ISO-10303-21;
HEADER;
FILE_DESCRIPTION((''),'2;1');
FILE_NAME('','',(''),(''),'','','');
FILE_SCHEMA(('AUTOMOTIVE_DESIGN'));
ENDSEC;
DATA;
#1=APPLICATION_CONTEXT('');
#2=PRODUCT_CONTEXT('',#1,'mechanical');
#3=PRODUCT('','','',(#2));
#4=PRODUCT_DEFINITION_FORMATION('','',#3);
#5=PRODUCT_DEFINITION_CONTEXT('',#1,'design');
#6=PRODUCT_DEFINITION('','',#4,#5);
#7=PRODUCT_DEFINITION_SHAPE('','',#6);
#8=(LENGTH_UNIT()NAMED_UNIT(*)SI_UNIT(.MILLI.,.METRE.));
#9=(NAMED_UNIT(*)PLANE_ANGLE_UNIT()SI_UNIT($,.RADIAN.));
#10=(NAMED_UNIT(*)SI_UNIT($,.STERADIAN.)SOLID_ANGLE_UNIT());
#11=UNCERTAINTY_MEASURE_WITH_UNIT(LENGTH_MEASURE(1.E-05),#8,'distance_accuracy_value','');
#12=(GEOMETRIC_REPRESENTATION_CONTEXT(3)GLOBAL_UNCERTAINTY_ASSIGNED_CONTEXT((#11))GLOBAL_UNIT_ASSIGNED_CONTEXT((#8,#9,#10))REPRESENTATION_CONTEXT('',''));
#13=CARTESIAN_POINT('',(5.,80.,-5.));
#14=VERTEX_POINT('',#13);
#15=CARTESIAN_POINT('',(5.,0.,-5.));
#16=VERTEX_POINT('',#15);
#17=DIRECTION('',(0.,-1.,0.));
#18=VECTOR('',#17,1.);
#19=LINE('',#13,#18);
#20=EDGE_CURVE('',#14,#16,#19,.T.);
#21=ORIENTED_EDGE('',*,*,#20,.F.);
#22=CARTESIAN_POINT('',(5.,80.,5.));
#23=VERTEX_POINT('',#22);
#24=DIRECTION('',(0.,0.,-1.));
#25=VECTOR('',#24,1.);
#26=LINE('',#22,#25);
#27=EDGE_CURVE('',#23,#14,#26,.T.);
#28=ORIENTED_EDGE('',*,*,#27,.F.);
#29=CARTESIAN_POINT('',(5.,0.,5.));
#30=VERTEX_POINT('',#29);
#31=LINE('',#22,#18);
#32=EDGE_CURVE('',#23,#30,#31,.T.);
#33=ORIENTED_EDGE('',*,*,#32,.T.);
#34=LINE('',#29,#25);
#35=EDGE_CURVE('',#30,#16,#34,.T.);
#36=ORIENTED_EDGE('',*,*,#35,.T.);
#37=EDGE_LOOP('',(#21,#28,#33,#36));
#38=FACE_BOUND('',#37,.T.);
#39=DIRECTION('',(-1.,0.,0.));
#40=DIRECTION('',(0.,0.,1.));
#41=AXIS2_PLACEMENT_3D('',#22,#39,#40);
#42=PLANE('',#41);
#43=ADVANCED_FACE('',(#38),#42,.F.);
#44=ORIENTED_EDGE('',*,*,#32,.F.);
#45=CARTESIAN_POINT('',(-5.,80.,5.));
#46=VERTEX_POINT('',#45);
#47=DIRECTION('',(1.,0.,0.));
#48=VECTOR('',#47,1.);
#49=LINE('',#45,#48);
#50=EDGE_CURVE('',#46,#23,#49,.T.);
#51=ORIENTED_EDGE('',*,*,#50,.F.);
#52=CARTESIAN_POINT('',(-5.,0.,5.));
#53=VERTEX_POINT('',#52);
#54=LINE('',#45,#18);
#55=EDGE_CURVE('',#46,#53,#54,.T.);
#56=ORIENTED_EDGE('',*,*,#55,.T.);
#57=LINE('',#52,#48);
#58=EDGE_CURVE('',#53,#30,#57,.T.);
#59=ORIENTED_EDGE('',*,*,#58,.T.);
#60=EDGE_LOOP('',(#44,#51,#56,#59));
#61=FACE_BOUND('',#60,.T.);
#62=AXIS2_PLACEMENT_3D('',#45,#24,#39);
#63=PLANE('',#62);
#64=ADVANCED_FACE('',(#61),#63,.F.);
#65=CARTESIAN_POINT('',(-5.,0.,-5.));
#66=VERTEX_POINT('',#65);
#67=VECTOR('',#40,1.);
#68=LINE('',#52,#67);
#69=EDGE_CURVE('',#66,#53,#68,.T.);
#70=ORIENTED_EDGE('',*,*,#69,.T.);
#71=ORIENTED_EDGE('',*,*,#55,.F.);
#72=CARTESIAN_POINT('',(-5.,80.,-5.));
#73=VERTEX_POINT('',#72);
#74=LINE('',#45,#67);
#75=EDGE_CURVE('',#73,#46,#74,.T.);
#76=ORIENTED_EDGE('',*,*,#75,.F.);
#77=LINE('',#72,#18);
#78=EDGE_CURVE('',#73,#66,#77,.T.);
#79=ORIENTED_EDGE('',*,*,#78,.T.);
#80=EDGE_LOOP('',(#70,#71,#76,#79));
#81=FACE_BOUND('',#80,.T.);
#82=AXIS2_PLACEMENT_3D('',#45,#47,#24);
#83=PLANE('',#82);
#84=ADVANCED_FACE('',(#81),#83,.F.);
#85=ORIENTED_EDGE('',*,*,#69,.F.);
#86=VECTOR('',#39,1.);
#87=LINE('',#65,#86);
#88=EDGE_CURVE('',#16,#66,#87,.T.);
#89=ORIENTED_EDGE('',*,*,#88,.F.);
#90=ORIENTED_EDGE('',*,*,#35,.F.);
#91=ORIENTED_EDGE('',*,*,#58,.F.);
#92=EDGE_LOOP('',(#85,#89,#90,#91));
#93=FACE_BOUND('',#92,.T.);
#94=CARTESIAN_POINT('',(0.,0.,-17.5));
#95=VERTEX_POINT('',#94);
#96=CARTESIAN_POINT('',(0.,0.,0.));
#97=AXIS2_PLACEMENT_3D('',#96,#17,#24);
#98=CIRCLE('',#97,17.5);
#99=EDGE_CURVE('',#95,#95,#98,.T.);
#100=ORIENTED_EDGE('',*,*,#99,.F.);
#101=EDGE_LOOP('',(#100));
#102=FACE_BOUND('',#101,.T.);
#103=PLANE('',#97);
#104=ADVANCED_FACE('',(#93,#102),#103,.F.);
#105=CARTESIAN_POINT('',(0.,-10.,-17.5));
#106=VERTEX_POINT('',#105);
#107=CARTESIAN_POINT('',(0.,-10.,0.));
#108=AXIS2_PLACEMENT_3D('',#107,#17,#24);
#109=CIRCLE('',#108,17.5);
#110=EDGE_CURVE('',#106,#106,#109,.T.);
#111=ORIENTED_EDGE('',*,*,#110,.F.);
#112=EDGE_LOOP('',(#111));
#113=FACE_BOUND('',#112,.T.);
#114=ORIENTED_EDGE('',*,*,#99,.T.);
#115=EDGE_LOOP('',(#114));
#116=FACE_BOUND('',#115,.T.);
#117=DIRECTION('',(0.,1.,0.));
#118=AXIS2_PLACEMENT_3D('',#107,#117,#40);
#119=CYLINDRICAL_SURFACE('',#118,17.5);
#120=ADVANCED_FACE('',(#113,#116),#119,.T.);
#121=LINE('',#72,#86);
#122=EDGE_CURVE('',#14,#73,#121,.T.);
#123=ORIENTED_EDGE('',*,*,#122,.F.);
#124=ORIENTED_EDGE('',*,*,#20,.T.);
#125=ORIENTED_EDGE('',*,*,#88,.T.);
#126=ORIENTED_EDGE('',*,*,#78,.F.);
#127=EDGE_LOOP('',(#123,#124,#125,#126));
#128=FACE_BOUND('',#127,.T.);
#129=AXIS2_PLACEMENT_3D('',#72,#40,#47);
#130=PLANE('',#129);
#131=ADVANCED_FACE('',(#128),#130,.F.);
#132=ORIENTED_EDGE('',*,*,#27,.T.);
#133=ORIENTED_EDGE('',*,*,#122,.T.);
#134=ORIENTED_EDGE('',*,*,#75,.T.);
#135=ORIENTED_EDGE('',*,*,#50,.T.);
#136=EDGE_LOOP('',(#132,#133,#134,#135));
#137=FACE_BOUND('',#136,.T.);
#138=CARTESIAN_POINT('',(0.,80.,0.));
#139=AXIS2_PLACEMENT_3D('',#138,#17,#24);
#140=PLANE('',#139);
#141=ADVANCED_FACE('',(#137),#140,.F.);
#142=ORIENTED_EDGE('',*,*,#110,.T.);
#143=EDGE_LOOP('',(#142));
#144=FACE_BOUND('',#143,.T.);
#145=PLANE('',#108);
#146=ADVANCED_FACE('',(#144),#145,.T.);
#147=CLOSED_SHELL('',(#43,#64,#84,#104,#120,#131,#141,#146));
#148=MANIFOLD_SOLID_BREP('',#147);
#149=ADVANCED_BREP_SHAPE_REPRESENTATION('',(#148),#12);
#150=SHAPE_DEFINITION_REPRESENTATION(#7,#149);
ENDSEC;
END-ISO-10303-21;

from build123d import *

# Parameters (mm, degrees)
SKETCH_1_W      = 10
SKETCH_1_H      = 10
EXTRUDE_1_DEPTH = 80
SKETCH_2_R      = 17.5
EXTRUDE_2_DEPTH = 10


with BuildPart() as part:
    # 草图1 → 凸台-拉伸1 (new body)
    with BuildSketch(Plane(origin=(0, 0, 0), x_dir=(1, 0, 0), z_dir=(0, 1, 0))):
        Rectangle(SKETCH_1_W, SKETCH_1_H)
    extrude(amount=EXTRUDE_1_DEPTH)

    # 草图2 → 凸台-拉伸2 (add)
    with BuildSketch(Plane.XZ):
        with Locations(Location((0, 0, 0), (0, 0, 270))):
            Circle(SKETCH_2_R)
    extrude(amount=EXTRUDE_2_DEPTH)


solid = part.part
